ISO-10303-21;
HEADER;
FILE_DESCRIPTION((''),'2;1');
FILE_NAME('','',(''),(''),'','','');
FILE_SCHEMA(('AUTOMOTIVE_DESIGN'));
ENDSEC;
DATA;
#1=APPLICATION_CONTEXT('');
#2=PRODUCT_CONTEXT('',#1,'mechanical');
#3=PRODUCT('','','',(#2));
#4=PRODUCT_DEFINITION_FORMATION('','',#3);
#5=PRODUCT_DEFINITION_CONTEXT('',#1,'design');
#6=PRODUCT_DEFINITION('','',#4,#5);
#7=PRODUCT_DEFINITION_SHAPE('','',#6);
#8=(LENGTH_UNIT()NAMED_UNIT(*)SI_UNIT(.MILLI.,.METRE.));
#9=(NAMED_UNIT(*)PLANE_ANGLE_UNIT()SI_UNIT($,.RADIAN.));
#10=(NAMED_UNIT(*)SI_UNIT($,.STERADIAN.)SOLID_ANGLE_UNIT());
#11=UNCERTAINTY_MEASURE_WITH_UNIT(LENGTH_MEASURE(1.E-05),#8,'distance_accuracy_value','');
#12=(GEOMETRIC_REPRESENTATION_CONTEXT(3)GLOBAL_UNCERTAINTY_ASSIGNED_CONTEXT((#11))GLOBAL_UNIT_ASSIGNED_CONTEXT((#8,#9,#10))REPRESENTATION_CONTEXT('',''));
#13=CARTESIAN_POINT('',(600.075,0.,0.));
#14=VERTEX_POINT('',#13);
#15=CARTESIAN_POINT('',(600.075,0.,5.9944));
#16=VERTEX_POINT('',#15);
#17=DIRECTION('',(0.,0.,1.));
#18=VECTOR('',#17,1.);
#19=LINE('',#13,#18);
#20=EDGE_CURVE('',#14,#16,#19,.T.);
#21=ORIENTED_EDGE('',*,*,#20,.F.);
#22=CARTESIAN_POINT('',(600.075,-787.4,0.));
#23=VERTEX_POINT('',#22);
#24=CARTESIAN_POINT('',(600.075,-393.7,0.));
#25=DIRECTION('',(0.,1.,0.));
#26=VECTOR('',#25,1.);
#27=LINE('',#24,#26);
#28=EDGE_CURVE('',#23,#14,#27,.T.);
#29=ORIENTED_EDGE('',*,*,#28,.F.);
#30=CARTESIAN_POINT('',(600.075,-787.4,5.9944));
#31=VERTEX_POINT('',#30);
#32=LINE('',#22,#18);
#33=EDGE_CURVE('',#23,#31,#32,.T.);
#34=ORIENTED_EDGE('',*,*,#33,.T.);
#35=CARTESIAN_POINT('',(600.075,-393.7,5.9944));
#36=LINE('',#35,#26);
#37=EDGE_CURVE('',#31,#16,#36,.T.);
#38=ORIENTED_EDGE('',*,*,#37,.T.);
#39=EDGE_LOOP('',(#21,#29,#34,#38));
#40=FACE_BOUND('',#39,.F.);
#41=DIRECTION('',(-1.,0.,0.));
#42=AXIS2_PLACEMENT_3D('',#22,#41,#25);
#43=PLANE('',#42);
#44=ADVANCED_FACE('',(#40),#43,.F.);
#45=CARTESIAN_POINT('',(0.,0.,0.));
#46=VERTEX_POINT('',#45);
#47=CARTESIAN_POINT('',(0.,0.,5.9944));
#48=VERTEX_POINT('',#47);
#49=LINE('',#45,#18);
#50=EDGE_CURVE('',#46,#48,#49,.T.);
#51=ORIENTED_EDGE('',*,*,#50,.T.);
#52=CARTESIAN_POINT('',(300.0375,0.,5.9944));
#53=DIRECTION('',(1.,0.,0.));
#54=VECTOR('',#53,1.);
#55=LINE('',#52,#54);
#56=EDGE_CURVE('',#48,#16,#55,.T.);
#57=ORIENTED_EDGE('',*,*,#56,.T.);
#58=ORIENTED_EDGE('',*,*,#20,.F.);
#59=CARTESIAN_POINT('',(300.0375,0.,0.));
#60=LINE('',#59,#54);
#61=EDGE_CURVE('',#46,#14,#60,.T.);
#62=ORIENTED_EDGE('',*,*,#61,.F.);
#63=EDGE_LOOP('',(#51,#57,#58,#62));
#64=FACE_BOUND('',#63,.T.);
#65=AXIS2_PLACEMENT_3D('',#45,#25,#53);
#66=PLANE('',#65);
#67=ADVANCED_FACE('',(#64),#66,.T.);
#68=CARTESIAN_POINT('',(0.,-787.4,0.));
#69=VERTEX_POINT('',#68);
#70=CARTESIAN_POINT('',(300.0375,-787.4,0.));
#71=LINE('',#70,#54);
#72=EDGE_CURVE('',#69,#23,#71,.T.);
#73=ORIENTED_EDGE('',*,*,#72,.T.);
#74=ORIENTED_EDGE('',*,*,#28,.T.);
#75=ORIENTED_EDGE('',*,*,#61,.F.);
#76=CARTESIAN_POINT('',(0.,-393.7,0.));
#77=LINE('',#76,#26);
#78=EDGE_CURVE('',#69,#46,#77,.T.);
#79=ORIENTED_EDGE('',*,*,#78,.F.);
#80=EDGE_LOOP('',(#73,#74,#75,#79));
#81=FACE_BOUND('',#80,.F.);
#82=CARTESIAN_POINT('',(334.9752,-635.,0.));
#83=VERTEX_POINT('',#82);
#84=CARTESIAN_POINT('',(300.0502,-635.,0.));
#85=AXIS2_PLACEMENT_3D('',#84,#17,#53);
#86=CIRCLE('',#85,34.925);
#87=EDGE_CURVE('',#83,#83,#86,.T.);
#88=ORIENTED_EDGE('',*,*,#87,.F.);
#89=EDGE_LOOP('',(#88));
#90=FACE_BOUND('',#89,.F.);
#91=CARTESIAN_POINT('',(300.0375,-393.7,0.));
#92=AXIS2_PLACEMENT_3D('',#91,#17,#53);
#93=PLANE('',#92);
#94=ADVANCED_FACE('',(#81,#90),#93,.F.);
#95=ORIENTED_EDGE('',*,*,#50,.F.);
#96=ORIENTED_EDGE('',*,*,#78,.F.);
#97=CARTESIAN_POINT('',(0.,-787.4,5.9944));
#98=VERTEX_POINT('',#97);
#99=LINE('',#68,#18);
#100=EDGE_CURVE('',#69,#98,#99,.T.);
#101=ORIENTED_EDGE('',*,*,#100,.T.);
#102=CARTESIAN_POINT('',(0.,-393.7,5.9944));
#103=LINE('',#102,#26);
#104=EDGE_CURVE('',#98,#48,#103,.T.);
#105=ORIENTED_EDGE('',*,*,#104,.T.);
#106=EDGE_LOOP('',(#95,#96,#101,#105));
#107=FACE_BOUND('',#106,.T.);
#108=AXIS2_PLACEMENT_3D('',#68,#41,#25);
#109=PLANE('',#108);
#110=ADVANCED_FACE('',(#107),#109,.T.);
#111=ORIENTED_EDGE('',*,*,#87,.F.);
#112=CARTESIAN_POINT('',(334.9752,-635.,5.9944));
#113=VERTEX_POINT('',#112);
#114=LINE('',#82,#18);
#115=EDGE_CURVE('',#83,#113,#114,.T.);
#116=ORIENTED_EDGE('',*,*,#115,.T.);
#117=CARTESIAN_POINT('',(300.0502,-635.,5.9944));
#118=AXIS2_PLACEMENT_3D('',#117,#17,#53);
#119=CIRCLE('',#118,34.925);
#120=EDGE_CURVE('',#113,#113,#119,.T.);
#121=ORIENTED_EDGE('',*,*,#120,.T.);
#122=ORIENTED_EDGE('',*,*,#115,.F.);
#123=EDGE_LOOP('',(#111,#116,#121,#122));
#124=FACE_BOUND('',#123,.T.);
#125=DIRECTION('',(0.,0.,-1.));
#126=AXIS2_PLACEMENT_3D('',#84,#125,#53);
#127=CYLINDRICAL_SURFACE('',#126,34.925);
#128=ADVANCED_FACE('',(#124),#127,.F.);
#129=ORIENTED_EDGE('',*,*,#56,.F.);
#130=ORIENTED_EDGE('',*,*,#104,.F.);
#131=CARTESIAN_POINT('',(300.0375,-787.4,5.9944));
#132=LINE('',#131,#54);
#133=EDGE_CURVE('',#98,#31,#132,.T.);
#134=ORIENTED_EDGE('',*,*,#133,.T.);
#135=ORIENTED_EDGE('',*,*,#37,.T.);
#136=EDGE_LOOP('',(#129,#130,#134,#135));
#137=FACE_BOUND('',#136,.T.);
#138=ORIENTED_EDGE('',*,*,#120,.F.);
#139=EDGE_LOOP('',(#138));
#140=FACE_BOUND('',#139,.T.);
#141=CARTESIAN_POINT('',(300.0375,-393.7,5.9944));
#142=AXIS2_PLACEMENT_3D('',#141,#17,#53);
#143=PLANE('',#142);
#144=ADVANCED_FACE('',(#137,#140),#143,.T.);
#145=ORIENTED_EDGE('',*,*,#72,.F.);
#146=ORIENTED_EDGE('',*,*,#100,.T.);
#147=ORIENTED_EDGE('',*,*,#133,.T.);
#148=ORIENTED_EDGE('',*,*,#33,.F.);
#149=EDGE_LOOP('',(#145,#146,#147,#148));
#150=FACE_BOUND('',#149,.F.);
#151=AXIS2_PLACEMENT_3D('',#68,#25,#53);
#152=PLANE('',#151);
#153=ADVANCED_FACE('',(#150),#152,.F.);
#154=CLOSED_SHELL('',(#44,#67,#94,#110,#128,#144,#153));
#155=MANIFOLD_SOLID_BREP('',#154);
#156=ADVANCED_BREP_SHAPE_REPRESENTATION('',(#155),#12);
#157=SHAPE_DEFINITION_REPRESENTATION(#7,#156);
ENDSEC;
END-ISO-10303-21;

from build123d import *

# Parameters (mm, degrees)
SKETCH_W      = 600.075
SKETCH_H      = 787.4
SKETCH_R      = 34.925
EXTRUDE_DEPTH = 5.9944


with BuildPart() as part:
    # Sketch → Extrude (new body)
    with BuildSketch(Plane.XY):
        with Locations((300.0375, -393.7)):
            Rectangle(SKETCH_W, SKETCH_H)
        with Locations((300.0502, -635)):
            Circle(SKETCH_R, mode=Mode.SUBTRACT)
    extrude(amount=EXTRUDE_DEPTH)


solid = part.part
